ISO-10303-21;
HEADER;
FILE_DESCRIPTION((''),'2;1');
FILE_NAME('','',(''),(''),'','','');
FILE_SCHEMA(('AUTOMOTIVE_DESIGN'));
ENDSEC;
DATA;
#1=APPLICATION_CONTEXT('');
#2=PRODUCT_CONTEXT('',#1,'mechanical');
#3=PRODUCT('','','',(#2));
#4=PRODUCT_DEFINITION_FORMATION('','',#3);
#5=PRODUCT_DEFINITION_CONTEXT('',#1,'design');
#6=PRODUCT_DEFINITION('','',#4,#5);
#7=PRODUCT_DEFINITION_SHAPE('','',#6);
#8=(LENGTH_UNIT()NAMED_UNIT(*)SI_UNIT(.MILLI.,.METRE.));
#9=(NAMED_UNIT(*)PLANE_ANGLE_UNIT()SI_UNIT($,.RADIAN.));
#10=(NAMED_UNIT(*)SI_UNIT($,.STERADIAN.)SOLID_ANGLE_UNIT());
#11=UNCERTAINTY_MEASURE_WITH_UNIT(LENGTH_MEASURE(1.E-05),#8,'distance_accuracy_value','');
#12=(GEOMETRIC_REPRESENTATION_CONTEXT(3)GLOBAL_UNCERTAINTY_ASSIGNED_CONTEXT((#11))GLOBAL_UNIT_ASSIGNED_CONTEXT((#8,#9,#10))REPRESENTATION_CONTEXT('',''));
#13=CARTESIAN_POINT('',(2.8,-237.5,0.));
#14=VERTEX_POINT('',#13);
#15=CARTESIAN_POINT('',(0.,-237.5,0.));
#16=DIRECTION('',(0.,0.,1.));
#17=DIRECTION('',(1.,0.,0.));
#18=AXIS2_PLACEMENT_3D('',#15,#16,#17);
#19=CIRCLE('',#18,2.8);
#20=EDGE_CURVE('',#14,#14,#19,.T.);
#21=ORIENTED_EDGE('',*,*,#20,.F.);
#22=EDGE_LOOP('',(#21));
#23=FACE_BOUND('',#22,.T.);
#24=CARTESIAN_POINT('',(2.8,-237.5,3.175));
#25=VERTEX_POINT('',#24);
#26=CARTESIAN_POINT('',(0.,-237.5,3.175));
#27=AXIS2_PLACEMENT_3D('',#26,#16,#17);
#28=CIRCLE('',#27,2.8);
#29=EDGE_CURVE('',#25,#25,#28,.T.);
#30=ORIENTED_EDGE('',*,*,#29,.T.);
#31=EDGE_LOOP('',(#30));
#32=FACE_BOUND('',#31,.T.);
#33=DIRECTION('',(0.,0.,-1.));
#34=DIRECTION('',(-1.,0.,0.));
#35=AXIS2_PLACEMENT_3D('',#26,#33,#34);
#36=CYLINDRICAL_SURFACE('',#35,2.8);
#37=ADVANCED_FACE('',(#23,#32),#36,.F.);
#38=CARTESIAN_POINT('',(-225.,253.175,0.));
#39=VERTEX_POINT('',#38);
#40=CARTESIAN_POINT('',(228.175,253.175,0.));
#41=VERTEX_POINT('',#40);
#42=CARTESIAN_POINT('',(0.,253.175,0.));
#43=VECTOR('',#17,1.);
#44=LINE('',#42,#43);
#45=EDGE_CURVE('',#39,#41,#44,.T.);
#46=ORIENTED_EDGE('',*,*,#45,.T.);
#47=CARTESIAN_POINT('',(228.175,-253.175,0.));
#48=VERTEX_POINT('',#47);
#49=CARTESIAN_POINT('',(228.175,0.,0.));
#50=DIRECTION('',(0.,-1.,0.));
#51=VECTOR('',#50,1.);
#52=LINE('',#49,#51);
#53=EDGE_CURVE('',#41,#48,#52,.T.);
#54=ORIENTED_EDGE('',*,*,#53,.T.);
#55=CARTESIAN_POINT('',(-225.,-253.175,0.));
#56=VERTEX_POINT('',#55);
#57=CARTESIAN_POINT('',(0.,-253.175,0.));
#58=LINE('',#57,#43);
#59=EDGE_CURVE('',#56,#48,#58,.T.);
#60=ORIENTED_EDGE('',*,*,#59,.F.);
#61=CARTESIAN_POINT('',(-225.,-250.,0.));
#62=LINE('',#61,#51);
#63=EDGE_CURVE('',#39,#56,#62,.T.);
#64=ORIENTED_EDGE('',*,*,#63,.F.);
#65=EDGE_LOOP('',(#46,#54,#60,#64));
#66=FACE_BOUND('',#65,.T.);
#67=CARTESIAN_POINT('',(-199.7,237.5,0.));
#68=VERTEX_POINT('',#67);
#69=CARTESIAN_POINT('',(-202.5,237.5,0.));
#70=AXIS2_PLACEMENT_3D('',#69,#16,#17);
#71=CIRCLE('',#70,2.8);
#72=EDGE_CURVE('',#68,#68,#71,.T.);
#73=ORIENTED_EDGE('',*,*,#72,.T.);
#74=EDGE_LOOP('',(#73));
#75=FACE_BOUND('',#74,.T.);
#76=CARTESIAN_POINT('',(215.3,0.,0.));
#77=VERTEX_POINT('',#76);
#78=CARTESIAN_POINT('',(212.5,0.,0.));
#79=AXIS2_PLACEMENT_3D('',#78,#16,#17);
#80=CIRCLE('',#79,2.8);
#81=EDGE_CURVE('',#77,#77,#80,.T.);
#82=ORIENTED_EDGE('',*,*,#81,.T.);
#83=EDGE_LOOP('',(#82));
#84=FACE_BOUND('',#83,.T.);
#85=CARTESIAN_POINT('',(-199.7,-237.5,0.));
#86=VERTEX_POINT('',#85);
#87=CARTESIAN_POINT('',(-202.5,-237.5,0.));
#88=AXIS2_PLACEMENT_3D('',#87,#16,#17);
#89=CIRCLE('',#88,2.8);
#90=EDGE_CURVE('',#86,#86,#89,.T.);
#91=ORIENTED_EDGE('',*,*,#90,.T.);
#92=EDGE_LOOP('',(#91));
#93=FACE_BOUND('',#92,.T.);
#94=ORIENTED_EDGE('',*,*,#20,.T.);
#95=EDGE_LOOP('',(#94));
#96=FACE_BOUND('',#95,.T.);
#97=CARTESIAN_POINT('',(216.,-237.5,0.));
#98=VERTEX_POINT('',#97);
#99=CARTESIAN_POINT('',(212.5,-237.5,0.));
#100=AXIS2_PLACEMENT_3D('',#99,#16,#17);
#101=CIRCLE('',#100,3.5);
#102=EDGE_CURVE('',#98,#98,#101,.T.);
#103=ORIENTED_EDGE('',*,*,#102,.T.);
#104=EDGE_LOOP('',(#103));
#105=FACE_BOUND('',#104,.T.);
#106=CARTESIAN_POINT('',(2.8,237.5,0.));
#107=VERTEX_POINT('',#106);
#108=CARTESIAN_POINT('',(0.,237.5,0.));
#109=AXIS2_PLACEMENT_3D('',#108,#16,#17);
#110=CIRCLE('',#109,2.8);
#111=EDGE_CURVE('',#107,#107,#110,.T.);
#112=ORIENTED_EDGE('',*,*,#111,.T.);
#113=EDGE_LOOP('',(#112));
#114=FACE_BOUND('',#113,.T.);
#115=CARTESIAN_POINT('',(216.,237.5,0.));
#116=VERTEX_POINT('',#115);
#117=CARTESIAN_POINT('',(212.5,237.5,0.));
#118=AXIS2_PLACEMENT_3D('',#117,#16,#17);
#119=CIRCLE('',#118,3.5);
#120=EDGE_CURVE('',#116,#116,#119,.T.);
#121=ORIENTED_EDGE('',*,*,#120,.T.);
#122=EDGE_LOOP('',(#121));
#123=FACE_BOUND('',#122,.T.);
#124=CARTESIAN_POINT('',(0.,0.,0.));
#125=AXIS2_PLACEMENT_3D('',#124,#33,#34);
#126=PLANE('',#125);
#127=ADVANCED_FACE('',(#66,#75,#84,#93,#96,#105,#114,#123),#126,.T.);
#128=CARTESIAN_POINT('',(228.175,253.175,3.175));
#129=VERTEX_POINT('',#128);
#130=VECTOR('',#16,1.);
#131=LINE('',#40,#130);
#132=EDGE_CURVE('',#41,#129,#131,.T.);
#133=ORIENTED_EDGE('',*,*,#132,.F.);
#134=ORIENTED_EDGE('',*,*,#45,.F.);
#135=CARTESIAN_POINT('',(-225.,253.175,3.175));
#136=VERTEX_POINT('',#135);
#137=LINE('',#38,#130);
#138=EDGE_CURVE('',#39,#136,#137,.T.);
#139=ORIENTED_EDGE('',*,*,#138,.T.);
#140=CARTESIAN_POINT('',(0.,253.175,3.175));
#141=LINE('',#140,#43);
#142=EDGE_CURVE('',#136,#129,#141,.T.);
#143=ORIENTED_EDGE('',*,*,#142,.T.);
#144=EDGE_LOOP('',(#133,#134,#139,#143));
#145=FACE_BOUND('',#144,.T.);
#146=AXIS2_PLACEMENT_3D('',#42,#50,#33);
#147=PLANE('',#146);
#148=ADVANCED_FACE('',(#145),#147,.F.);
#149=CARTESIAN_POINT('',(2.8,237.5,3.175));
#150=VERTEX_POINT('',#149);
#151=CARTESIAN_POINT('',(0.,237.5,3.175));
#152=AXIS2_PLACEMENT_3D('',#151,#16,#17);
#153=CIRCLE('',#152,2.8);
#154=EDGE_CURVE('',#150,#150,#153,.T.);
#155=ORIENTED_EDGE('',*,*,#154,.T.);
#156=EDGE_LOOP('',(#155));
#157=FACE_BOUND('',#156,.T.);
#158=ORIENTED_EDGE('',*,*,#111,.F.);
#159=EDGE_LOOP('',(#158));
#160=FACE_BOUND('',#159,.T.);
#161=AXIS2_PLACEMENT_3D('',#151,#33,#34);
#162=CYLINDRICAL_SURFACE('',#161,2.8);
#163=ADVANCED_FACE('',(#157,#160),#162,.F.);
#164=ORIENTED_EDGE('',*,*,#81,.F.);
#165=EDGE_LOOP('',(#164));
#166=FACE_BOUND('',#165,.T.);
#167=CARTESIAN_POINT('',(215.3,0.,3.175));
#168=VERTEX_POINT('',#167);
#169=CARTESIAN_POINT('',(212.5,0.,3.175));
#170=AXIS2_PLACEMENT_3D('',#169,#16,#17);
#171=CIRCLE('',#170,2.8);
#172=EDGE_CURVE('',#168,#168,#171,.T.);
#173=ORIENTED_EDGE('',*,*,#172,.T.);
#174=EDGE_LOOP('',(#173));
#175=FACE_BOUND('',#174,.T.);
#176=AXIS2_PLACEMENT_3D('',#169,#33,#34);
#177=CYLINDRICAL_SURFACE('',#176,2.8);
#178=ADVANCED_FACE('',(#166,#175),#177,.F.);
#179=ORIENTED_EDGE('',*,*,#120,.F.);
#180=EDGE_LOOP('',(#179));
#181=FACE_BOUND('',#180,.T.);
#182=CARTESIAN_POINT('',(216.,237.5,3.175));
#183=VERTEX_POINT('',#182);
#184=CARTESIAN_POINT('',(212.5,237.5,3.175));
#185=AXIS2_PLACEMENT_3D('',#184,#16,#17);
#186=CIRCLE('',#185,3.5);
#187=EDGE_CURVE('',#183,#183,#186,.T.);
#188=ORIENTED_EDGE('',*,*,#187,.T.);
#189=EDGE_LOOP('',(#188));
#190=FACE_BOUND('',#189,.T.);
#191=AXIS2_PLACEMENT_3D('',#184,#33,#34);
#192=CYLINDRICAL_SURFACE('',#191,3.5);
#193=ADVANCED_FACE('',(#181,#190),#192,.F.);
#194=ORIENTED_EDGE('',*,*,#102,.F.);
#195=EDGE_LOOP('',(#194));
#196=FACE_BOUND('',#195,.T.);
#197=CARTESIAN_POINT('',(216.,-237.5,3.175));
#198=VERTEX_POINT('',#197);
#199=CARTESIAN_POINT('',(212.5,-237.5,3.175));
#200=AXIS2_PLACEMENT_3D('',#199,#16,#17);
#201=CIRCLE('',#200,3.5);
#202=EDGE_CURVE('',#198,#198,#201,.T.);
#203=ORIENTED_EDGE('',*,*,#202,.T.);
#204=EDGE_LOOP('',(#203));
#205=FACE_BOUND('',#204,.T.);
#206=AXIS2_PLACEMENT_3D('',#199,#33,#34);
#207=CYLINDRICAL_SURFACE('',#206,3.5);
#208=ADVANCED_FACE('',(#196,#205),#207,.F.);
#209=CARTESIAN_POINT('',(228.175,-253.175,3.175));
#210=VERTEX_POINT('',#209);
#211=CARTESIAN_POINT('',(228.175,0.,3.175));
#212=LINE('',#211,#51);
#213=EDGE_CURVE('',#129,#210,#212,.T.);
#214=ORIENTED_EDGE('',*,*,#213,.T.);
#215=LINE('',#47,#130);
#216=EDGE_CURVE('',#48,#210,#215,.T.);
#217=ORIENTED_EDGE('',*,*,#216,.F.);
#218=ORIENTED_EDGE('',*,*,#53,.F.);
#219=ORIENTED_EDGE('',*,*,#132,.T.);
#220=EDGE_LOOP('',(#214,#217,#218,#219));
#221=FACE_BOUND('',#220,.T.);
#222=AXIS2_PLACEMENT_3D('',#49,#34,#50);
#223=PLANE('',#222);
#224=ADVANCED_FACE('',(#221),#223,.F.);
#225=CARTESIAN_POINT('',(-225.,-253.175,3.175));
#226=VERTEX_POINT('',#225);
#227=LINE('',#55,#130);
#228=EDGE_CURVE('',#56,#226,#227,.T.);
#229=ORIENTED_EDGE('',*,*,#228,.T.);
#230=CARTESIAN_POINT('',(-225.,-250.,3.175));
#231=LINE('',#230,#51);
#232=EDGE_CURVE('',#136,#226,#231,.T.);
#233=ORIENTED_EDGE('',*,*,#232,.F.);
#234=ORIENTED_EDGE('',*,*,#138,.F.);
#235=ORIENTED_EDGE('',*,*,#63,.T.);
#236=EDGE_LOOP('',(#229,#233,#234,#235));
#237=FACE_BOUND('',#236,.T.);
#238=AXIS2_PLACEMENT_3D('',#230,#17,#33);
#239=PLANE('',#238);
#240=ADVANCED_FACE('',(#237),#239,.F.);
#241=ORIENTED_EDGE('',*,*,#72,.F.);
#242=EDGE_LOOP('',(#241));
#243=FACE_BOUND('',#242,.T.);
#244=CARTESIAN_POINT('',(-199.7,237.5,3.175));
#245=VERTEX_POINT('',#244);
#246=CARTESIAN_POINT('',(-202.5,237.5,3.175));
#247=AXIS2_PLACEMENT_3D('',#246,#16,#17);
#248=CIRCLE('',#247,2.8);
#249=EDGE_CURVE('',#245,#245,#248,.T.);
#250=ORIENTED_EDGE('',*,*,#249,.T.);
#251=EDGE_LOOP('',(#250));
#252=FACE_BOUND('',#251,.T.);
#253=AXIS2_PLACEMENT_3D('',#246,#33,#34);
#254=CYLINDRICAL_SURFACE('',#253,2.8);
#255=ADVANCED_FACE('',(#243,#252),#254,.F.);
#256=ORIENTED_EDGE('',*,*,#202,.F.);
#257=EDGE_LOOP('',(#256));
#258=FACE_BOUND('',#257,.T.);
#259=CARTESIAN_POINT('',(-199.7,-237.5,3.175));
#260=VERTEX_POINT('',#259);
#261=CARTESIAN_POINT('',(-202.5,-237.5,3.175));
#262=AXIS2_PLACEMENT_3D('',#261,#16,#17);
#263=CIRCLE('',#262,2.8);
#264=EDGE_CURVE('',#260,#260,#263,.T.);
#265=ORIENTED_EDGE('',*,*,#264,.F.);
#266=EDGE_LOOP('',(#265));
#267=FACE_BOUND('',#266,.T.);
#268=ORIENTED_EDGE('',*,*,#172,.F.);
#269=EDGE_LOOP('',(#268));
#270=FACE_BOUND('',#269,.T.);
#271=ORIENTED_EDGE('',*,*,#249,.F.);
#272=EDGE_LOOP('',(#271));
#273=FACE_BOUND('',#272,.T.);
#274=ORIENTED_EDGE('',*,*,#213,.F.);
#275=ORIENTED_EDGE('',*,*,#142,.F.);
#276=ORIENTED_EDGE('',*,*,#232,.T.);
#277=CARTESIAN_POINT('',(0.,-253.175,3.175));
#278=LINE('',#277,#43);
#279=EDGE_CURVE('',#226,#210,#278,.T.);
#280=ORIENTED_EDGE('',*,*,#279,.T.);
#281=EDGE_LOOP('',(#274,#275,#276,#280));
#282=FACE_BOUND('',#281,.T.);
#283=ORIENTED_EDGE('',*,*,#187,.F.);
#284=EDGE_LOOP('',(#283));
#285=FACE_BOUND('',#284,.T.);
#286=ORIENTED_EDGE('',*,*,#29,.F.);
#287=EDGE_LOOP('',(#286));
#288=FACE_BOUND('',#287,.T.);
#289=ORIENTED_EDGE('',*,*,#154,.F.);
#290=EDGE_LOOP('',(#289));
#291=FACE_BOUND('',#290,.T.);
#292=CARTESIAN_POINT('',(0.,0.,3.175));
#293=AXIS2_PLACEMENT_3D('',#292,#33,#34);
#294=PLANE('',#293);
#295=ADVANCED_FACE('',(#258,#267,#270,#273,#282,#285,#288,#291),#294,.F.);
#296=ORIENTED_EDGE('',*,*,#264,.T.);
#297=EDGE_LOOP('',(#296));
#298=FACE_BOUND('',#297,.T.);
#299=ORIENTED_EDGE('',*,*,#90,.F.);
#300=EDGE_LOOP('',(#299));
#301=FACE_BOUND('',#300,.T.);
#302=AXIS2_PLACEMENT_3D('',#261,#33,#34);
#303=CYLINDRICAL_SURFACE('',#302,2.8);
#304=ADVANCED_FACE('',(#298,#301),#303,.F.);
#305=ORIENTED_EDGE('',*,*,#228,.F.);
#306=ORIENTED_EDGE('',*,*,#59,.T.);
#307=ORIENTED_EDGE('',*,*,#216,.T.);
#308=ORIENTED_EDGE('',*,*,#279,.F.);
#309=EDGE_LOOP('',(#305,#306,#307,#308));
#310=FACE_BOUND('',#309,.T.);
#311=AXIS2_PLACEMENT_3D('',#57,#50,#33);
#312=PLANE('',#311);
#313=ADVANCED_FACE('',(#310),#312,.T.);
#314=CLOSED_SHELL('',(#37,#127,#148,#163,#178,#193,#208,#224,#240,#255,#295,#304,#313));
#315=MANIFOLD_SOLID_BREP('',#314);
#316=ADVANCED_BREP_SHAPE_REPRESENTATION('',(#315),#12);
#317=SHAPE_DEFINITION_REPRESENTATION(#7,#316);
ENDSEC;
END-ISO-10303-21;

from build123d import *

# Parameters (mm, degrees)
SKETCH1_W           = 500
SKETCH1_H           = 450
SKETCH1_R           = 3.5
SKETCH1_R_2         = 2.8
BOSS_EXTRUDE1_DEPTH = 3.175
SKETCH2_W           = 3.175
SKETCH2_H           = 500
BOSS_EXTRUDE2_DEPTH = 3.175


with BuildPart() as part:
    # Sketch1 → Boss-Extrude1 (new body)
    with BuildSketch(Plane(origin=(0, 0, 0), x_dir=(0, 1, 0), z_dir=(0, 0, 1))):
        Rectangle(SKETCH1_W, SKETCH1_H)
        with Locations(Location((237.5, -212.5, 0), (0, 0, 270))):
            Circle(SKETCH1_R, mode=Mode.SUBTRACT)
        with Locations(Location((-237.5, -212.5, 0), (0, 0, 270))):
            Circle(SKETCH1_R, mode=Mode.SUBTRACT)
        with Locations(Location((-237.5, 202.5, 0), (0, 0, 270))):
            Circle(SKETCH1_R_2, mode=Mode.SUBTRACT)
        with Locations(Location((237.5, 202.5, 0), (0, 0, 270))):
            Circle(SKETCH1_R_2, mode=Mode.SUBTRACT)
        with Locations(Location((-237.5, 0, 0), (0, 0, 270))):
            Circle(SKETCH1_R_2, mode=Mode.SUBTRACT)
        with Locations(Location((237.5, 0, 0), (0, 0, 270))):
            Circle(SKETCH1_R_2, mode=Mode.SUBTRACT)
        with Locations(Location((0, -212.5, 0), (0, 0, 270))):
            Circle(SKETCH1_R_2, mode=Mode.SUBTRACT)
    extrude(amount=BOSS_EXTRUDE1_DEPTH)

    # Sketch2 → Boss-Extrude2 (add, through all)
    with BuildSketch(Plane.XY.offset(3.175)):
        Polygon((225, -250), (-225, -250), (-225, -253.175), (228.175, -253.175), (228.175, -250), align=None)
        with Locations((226.5875, 0)):
            Rectangle(SKETCH2_W, SKETCH2_H)
        Polygon((-225, 250), (225, 250), (228.175, 250), (228.175, 253.175), (-225, 253.175), align=None)
    extrude(amount=-BOSS_EXTRUDE2_DEPTH)


solid = part.part
